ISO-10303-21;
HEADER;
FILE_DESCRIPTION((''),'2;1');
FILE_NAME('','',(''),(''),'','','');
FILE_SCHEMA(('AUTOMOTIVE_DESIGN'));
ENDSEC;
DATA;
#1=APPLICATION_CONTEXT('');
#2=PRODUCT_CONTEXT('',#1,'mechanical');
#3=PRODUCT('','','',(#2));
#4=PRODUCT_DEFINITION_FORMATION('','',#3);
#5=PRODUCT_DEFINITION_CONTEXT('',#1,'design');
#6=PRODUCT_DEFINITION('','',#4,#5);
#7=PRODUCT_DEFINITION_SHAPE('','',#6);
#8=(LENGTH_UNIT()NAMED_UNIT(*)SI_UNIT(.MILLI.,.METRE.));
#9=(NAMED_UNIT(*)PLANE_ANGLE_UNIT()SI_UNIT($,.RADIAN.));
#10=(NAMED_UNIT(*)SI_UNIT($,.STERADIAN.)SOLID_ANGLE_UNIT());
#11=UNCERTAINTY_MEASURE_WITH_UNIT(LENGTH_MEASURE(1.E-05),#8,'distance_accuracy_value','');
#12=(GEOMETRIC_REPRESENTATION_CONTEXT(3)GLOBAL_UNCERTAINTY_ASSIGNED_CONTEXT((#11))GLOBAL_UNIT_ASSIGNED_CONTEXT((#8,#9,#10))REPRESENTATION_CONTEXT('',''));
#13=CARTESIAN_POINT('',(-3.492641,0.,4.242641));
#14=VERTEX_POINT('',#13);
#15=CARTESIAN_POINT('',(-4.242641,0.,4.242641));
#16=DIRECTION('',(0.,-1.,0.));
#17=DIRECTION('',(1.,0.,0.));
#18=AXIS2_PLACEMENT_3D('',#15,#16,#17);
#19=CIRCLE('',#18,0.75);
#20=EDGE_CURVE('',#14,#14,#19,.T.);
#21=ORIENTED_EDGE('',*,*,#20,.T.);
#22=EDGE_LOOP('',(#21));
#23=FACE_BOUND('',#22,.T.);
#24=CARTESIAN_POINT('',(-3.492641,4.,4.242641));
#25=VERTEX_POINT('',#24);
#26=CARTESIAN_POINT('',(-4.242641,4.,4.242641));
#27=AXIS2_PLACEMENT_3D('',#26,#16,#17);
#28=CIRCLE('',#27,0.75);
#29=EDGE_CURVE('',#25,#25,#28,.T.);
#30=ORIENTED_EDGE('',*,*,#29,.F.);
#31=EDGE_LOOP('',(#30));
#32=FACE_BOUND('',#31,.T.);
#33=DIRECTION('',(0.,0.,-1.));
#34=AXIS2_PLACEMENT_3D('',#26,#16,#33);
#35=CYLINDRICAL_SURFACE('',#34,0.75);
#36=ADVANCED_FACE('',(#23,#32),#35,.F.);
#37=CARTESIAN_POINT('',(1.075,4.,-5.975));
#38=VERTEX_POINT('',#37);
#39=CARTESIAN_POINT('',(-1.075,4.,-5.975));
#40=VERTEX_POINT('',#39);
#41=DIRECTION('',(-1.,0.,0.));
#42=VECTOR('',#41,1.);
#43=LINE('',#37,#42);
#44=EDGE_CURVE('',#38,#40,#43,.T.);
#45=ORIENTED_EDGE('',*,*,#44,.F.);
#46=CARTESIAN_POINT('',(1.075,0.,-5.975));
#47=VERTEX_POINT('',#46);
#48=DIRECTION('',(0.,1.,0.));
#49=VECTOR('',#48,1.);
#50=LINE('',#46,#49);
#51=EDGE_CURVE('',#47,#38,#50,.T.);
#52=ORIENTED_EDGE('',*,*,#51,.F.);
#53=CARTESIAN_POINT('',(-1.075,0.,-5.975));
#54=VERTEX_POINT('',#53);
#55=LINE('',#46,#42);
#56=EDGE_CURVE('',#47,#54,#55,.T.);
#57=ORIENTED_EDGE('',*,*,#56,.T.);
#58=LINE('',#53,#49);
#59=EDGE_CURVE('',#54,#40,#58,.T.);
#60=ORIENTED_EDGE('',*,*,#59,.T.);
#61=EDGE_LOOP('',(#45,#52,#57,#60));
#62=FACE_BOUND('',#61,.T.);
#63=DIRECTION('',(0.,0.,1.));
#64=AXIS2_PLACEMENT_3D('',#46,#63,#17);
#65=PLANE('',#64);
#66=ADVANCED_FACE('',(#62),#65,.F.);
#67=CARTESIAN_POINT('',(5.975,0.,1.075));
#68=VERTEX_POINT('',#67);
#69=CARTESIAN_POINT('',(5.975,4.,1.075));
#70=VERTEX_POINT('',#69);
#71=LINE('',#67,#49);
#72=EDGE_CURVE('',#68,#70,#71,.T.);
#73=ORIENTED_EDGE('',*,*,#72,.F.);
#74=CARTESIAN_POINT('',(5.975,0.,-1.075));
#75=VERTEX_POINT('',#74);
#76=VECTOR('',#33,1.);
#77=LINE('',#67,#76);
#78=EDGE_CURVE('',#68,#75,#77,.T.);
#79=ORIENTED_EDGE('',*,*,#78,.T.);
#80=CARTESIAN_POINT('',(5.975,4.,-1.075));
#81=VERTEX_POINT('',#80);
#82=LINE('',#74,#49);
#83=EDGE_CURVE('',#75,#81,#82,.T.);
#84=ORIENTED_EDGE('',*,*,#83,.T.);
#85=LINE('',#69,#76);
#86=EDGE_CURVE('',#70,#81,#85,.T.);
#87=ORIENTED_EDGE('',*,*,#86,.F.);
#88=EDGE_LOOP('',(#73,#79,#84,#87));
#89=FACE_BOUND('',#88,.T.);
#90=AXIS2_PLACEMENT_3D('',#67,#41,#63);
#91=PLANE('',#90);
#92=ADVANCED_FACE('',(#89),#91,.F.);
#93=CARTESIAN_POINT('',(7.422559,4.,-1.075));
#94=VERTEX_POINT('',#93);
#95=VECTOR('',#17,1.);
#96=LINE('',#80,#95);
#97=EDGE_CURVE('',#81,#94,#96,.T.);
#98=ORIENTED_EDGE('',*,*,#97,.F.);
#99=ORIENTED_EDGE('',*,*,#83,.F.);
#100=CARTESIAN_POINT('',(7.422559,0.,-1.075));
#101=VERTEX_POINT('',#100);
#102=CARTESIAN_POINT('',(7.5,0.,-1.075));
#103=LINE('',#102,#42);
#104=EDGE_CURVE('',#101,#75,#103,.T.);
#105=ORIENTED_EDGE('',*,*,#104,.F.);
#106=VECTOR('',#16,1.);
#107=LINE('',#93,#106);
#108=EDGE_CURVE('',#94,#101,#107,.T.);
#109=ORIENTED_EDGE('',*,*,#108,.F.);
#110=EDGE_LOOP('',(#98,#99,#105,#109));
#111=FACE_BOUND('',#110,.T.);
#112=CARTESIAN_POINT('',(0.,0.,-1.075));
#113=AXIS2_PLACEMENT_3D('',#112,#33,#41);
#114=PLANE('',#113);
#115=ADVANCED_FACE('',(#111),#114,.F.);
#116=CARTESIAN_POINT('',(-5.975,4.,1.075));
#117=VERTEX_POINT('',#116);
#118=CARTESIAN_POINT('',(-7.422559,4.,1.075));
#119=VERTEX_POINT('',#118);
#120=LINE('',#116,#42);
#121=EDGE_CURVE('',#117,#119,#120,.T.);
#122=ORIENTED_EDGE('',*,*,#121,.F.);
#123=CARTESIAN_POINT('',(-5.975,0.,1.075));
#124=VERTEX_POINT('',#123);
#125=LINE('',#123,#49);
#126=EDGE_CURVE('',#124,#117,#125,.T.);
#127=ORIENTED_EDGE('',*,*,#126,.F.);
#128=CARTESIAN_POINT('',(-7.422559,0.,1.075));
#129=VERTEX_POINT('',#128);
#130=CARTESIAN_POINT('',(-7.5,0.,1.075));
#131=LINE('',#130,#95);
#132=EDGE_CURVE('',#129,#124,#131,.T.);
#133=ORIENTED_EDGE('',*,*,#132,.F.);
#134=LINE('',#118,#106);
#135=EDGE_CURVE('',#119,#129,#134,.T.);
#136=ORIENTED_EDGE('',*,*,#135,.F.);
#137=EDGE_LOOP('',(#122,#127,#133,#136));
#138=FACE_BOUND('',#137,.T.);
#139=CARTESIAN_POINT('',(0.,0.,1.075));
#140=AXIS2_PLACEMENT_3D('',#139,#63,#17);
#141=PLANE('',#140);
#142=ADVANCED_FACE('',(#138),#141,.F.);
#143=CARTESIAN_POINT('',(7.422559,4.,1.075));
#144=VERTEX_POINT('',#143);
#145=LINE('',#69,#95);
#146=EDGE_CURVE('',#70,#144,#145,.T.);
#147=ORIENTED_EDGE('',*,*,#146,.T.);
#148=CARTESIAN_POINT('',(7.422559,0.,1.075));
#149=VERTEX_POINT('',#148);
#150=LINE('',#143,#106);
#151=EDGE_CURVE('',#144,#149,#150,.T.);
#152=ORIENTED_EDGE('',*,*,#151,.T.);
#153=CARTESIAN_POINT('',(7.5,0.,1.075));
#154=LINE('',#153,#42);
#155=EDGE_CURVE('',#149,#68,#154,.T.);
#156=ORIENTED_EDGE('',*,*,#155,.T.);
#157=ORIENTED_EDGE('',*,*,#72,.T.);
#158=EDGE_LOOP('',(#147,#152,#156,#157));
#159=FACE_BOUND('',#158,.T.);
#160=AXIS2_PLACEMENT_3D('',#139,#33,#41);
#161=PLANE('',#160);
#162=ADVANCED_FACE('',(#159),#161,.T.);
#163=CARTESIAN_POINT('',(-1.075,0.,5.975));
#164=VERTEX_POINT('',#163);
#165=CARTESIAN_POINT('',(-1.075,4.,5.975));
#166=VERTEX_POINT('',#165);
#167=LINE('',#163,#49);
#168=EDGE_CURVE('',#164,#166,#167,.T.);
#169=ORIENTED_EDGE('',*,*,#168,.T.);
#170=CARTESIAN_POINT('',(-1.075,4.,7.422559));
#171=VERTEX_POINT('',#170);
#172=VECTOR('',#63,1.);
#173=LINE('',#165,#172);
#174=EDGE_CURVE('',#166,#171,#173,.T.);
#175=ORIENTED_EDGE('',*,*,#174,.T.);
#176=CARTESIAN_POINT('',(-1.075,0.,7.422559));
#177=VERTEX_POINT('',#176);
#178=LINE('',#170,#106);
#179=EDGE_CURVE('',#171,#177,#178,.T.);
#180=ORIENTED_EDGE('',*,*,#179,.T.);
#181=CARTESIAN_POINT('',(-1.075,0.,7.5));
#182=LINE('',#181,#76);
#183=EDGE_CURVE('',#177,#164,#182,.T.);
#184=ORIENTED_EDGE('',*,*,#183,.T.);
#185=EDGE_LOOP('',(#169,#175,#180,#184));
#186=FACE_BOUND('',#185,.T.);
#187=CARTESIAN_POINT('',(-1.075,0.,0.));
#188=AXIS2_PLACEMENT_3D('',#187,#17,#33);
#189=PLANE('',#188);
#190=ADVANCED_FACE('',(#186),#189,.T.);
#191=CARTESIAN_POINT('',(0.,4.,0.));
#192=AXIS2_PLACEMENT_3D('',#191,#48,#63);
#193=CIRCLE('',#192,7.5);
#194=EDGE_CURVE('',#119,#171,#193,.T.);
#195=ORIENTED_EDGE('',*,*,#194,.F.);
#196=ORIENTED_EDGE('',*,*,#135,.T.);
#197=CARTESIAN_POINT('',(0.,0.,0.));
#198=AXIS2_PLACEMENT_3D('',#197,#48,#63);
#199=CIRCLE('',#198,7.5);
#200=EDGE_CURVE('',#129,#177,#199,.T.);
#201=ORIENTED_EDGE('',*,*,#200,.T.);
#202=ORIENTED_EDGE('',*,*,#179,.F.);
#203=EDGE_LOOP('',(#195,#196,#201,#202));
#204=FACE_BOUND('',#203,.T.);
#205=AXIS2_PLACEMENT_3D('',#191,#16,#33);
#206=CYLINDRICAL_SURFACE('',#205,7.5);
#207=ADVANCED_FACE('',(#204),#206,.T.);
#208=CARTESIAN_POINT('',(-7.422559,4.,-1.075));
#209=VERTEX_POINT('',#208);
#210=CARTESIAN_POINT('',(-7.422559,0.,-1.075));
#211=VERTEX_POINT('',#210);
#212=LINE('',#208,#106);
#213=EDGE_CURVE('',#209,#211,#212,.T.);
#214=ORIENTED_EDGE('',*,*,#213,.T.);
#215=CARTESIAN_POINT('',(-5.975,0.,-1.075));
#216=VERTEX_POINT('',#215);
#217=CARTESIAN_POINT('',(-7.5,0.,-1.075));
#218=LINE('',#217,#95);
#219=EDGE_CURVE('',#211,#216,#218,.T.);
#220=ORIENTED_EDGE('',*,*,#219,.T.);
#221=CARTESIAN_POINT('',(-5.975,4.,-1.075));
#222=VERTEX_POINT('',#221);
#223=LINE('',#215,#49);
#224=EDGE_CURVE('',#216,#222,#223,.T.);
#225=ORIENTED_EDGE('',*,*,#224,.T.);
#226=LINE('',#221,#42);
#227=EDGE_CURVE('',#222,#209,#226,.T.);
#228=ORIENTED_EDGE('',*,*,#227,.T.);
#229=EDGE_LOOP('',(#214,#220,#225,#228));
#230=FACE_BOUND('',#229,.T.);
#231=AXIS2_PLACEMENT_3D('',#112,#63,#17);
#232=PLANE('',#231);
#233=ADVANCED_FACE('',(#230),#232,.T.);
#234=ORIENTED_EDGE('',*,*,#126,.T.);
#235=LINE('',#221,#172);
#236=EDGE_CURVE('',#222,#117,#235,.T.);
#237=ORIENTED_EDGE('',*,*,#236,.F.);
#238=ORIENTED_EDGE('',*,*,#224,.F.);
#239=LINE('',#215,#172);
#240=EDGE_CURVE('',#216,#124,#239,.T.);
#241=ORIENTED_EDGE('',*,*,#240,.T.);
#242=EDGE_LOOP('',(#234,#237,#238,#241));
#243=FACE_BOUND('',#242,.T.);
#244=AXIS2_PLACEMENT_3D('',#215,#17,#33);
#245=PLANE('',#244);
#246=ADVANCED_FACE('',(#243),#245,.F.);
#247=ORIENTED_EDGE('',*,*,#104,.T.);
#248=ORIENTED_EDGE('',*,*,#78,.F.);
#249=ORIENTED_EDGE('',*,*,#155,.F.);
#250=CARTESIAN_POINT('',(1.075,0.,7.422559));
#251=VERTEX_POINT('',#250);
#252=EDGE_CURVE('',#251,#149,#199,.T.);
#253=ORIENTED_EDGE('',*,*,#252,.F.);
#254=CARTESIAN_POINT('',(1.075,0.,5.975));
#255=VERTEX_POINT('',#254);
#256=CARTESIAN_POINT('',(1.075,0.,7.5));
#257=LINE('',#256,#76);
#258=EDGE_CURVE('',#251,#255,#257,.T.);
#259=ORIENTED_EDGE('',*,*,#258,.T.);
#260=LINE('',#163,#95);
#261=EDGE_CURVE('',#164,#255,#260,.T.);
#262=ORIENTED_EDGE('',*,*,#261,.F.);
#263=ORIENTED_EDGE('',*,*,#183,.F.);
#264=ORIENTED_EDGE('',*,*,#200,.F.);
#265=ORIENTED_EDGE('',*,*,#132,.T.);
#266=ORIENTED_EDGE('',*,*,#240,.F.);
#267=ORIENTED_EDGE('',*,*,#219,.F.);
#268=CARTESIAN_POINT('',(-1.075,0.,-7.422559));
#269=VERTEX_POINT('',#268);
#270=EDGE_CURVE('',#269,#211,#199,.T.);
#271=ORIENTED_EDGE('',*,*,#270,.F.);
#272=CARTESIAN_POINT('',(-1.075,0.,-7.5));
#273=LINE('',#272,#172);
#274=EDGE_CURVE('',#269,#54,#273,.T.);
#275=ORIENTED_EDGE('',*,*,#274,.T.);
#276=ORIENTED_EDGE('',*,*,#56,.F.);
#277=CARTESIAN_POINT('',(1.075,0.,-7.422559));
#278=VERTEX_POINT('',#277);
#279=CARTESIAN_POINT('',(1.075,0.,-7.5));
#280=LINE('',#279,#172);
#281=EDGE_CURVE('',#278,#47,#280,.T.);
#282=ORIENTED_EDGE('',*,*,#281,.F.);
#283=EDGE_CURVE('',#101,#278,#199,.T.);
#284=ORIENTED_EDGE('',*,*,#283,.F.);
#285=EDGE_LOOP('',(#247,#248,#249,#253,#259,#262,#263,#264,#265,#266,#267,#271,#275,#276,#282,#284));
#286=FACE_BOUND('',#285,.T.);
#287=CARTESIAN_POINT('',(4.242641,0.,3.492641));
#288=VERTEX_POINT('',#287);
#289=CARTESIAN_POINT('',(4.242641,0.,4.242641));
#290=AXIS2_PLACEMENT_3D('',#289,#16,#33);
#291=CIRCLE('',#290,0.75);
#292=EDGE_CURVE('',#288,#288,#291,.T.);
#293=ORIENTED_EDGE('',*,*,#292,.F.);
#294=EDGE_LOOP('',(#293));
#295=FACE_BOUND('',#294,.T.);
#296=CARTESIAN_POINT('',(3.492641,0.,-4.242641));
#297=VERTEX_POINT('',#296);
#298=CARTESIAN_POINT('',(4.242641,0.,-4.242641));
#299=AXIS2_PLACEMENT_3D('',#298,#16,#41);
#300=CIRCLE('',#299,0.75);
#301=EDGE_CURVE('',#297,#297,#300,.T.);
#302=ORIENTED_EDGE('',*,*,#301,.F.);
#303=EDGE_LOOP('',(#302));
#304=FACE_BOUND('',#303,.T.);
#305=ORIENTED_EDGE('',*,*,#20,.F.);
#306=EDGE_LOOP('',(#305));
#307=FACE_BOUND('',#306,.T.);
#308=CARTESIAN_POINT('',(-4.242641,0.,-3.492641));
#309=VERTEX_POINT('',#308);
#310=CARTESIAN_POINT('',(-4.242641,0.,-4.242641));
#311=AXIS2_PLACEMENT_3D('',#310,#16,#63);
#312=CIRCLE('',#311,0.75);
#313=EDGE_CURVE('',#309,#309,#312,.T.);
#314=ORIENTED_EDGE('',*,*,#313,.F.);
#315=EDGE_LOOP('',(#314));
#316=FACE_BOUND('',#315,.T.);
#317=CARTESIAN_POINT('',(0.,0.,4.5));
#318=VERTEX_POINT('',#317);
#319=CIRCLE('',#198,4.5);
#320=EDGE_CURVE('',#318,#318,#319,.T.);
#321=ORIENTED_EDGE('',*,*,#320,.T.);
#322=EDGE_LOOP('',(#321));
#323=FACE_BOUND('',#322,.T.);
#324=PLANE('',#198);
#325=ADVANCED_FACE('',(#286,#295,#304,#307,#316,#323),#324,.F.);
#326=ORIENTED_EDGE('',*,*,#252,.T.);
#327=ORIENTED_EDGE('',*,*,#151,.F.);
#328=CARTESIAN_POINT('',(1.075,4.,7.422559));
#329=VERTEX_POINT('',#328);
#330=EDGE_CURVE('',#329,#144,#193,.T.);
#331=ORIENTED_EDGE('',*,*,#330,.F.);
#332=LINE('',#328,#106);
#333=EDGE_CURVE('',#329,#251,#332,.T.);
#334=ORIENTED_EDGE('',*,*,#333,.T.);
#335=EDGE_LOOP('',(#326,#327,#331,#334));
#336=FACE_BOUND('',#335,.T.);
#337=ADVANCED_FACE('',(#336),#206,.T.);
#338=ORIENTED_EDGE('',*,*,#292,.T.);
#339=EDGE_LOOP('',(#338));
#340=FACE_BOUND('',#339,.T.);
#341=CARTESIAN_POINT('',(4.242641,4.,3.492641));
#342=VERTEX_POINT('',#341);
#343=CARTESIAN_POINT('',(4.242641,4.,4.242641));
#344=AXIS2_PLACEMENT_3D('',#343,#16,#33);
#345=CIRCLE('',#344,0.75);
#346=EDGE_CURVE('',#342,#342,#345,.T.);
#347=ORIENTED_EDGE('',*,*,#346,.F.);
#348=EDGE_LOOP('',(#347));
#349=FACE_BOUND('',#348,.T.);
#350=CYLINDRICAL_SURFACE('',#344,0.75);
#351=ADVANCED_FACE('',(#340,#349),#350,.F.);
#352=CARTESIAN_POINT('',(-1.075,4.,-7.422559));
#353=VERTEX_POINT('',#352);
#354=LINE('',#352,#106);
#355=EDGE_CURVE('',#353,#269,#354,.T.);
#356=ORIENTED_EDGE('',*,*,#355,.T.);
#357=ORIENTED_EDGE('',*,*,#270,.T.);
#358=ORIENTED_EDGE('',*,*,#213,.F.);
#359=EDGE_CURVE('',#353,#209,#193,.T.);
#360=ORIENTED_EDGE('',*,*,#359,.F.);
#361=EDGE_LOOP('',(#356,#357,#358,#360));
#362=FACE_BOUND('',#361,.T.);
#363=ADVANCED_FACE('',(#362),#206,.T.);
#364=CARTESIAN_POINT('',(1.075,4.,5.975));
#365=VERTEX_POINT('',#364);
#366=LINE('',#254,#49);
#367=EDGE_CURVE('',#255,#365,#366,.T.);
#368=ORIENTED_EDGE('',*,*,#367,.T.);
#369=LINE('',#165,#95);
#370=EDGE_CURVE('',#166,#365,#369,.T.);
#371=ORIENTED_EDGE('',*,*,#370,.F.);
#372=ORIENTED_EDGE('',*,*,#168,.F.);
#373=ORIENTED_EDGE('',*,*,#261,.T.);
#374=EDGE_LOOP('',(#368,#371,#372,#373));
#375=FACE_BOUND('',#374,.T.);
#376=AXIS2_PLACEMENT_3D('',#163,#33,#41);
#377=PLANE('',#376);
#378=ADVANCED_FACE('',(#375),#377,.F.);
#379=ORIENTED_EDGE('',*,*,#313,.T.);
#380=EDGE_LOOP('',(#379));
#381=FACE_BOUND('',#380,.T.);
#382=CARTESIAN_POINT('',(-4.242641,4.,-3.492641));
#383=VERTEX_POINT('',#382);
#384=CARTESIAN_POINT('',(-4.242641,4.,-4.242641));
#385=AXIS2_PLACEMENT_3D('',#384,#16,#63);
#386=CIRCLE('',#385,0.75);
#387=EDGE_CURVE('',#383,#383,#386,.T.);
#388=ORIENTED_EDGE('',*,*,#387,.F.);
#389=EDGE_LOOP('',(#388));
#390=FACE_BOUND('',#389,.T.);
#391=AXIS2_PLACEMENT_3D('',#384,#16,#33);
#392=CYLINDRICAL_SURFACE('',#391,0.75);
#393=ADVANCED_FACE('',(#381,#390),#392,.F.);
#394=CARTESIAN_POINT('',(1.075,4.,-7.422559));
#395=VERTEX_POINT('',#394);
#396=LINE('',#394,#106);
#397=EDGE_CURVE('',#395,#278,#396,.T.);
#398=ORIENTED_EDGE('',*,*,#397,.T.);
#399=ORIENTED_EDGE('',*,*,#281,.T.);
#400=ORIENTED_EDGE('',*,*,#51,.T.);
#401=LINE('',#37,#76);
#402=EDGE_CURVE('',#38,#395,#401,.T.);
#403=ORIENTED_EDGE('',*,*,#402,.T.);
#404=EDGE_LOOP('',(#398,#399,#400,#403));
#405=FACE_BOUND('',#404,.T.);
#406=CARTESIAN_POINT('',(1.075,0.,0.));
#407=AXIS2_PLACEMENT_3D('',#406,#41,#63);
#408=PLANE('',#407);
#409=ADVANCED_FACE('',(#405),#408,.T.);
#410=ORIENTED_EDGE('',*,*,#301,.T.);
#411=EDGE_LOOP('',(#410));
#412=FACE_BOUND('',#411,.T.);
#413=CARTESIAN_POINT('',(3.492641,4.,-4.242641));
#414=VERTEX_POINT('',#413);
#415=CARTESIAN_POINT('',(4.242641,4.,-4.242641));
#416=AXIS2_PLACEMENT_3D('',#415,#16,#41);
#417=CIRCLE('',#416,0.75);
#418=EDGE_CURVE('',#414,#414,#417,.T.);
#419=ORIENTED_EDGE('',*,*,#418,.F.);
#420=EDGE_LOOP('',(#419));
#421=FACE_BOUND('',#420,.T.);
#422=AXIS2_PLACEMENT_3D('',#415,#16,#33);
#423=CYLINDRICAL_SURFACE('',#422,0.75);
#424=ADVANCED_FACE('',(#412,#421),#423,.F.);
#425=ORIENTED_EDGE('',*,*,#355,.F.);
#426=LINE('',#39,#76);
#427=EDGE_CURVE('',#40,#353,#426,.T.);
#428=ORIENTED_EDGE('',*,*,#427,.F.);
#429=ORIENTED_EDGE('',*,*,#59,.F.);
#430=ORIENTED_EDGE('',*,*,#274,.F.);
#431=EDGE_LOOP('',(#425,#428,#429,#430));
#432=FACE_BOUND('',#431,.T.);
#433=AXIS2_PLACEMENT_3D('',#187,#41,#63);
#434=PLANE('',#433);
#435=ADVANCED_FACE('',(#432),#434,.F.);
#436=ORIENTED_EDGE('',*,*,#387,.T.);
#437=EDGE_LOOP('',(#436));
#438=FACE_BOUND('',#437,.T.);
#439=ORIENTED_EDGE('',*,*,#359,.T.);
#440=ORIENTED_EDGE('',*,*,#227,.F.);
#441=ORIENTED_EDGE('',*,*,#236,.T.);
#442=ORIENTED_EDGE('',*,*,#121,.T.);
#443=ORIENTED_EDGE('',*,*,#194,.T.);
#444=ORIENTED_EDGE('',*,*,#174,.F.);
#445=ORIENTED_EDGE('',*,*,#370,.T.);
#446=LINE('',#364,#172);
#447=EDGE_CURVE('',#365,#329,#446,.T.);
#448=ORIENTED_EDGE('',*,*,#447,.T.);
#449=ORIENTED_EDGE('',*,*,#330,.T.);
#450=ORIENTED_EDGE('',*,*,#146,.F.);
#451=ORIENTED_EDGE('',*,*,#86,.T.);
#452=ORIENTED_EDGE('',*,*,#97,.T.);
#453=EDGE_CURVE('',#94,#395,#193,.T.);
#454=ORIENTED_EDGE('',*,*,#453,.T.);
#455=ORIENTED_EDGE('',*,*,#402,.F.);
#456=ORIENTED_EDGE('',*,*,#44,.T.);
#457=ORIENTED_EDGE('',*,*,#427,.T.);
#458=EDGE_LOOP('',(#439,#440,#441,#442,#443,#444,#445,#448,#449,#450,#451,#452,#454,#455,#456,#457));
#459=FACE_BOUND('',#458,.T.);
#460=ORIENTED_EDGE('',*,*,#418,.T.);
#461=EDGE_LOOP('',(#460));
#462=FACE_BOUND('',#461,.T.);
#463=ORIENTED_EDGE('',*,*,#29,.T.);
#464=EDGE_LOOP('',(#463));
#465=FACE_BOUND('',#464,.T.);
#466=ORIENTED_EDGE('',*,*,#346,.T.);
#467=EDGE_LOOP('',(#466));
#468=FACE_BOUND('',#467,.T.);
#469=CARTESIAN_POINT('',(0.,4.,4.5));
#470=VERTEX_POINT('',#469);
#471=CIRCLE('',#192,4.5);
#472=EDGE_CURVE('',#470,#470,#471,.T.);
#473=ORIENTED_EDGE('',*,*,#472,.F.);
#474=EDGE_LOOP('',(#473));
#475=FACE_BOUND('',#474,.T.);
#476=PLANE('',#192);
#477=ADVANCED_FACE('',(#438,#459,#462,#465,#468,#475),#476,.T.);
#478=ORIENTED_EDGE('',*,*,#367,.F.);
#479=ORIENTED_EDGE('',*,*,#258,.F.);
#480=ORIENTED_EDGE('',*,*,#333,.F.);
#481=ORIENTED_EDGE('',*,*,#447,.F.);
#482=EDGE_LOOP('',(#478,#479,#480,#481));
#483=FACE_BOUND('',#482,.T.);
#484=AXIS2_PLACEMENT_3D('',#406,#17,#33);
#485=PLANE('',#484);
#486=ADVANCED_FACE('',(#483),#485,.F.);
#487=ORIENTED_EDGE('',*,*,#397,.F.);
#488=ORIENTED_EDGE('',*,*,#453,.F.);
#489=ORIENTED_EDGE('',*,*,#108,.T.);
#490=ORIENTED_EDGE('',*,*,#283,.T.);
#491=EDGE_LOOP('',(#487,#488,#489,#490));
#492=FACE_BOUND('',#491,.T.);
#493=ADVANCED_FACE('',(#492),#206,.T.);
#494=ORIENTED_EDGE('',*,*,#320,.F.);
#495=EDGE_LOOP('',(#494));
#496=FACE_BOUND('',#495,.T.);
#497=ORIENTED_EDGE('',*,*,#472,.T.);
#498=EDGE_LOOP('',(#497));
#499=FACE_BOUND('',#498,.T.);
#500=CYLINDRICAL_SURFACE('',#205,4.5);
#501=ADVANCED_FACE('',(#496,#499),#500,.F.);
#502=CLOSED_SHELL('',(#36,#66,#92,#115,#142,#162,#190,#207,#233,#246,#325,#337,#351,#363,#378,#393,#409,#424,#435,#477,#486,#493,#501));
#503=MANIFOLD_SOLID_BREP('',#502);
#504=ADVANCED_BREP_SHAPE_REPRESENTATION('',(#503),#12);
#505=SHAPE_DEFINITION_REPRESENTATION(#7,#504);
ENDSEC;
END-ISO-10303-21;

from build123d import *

# Parameters (mm, degrees)
SKETCH1_R           = 7.5
SKETCH1_R_2         = 4.5
BOSS_EXTRUDE1_DEPTH = 4
SKETCH3_W           = 1.525
SKETCH3_H           = 4
CUT_EXTRUDE1_DEPTH  = 1.075
CIRPATTERN1_COUNT   = 4
SKETCH6_R           = 0.75
CUT_EXTRUDE3_DEPTH  = 5
CIRPATTERN3_COUNT   = 4


with BuildPart() as part:
    # Sketch1 → Boss-Extrude1 (new body)
    with BuildSketch(Plane(origin=(0, 0, 0), x_dir=(1, 0, 0), z_dir=(0, 1, 0))):
        Circle(SKETCH1_R)
        Circle(SKETCH1_R_2, mode=Mode.SUBTRACT)
    extrude(amount=BOSS_EXTRUDE1_DEPTH)

    # Sketch3 → Cut-Extrude1 (cut, symmetric)
    with BuildSketch(Plane(origin=(0, 0, 0), x_dir=(0, 0, -1), z_dir=(1, 0, 0))):
        with Locations((-6.7375, 2)):
            Rectangle(SKETCH3_W, SKETCH3_H)
    cut_extrude1 = extrude(amount=CUT_EXTRUDE1_DEPTH, both=True, mode=Mode.SUBTRACT)

    # CirPattern1: Cut-Extrude1 ×4 about axis
    cirpattern1_axis = Axis((0, 0, 0), (0, 1, 0))
    for i in range(1, CIRPATTERN1_COUNT):
        add(cut_extrude1.rotate(cirpattern1_axis, i * 360 / CIRPATTERN1_COUNT), mode=Mode.SUBTRACT)

    # Sketch6 → Cut-Extrude3 (cut, through all)
    with BuildSketch(Plane.XZ):
        with Locations((4.242640687, 4.242640687)):
            Circle(SKETCH6_R)
    cut_extrude3 = extrude(amount=-CUT_EXTRUDE3_DEPTH, mode=Mode.SUBTRACT)

    # CirPattern3: Cut-Extrude3 ×4 about axis
    cirpattern3_axis = Axis((0, 0, 0), (0, 1, 0))
    for i in range(1, CIRPATTERN3_COUNT):
        add(cut_extrude3.rotate(cirpattern3_axis, i * 360 / CIRPATTERN3_COUNT), mode=Mode.SUBTRACT)


solid = part.part
